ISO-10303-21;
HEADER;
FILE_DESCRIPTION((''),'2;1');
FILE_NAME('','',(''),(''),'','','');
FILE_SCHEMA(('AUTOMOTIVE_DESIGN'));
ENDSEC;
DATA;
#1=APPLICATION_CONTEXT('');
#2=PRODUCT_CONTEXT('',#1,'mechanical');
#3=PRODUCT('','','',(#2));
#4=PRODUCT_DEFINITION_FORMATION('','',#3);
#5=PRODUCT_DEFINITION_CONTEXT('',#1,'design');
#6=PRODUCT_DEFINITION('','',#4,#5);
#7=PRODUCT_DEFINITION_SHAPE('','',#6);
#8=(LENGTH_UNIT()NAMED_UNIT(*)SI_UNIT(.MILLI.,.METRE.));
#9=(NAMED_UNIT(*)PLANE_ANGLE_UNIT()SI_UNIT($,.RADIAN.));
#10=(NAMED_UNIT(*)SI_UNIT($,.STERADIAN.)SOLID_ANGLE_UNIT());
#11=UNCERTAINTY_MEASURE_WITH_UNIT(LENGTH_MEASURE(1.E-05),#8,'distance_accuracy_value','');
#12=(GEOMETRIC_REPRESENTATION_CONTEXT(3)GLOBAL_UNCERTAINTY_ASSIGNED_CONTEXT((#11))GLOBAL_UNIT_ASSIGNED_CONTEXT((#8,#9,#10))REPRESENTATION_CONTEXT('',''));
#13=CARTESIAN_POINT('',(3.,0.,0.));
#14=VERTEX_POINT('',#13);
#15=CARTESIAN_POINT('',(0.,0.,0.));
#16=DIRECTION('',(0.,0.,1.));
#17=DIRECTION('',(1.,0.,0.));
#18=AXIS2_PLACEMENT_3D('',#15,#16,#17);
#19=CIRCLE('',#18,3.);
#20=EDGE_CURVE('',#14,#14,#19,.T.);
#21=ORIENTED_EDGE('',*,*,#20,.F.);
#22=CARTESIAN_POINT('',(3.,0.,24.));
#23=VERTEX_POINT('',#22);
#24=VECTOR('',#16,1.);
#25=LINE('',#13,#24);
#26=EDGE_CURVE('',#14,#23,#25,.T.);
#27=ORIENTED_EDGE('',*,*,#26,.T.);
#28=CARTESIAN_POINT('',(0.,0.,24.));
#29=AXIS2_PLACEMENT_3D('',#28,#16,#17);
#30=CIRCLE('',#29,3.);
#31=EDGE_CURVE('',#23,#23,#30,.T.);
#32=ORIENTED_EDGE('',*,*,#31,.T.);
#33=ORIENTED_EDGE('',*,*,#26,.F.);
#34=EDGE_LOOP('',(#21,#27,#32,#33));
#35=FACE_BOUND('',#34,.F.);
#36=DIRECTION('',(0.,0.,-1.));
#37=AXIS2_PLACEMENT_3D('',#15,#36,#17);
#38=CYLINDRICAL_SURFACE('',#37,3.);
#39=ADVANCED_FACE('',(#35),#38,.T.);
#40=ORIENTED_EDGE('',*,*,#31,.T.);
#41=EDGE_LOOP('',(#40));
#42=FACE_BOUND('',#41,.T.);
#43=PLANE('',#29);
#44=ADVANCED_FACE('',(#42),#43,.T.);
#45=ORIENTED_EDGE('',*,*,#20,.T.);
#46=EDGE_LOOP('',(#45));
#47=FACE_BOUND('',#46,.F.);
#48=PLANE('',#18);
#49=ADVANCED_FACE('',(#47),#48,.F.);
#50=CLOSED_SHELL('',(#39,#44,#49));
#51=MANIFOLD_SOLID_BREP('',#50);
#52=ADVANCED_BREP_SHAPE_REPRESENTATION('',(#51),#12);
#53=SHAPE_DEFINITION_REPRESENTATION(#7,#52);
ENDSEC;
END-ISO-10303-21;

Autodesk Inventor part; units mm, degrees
ref_plane "YZ Plane" through (0, 0, 0) normal (1, 0, 0) x (0, 1, 0)
ref_plane "XZ Plane" through (0, 0, 0) normal (0, 1, 0) x (-1, 0, 0)
ref_plane "XY Plane" through (0, 0, 0) normal (0, 0, 1) x (1, 0, 0)
sketch "スケッチ1" plane through (0, 0, 0) normal (0, 0, 1) x (1, 0, 0)
  circle A0 centre (0, 0) radius 3
  dimension "d0" = 6
extrude "押し出し1" add sketch "スケッチ1" along normal blind 24
properties part number "平行ピン　φ6　長さ24" material "ステンレス鋼"
